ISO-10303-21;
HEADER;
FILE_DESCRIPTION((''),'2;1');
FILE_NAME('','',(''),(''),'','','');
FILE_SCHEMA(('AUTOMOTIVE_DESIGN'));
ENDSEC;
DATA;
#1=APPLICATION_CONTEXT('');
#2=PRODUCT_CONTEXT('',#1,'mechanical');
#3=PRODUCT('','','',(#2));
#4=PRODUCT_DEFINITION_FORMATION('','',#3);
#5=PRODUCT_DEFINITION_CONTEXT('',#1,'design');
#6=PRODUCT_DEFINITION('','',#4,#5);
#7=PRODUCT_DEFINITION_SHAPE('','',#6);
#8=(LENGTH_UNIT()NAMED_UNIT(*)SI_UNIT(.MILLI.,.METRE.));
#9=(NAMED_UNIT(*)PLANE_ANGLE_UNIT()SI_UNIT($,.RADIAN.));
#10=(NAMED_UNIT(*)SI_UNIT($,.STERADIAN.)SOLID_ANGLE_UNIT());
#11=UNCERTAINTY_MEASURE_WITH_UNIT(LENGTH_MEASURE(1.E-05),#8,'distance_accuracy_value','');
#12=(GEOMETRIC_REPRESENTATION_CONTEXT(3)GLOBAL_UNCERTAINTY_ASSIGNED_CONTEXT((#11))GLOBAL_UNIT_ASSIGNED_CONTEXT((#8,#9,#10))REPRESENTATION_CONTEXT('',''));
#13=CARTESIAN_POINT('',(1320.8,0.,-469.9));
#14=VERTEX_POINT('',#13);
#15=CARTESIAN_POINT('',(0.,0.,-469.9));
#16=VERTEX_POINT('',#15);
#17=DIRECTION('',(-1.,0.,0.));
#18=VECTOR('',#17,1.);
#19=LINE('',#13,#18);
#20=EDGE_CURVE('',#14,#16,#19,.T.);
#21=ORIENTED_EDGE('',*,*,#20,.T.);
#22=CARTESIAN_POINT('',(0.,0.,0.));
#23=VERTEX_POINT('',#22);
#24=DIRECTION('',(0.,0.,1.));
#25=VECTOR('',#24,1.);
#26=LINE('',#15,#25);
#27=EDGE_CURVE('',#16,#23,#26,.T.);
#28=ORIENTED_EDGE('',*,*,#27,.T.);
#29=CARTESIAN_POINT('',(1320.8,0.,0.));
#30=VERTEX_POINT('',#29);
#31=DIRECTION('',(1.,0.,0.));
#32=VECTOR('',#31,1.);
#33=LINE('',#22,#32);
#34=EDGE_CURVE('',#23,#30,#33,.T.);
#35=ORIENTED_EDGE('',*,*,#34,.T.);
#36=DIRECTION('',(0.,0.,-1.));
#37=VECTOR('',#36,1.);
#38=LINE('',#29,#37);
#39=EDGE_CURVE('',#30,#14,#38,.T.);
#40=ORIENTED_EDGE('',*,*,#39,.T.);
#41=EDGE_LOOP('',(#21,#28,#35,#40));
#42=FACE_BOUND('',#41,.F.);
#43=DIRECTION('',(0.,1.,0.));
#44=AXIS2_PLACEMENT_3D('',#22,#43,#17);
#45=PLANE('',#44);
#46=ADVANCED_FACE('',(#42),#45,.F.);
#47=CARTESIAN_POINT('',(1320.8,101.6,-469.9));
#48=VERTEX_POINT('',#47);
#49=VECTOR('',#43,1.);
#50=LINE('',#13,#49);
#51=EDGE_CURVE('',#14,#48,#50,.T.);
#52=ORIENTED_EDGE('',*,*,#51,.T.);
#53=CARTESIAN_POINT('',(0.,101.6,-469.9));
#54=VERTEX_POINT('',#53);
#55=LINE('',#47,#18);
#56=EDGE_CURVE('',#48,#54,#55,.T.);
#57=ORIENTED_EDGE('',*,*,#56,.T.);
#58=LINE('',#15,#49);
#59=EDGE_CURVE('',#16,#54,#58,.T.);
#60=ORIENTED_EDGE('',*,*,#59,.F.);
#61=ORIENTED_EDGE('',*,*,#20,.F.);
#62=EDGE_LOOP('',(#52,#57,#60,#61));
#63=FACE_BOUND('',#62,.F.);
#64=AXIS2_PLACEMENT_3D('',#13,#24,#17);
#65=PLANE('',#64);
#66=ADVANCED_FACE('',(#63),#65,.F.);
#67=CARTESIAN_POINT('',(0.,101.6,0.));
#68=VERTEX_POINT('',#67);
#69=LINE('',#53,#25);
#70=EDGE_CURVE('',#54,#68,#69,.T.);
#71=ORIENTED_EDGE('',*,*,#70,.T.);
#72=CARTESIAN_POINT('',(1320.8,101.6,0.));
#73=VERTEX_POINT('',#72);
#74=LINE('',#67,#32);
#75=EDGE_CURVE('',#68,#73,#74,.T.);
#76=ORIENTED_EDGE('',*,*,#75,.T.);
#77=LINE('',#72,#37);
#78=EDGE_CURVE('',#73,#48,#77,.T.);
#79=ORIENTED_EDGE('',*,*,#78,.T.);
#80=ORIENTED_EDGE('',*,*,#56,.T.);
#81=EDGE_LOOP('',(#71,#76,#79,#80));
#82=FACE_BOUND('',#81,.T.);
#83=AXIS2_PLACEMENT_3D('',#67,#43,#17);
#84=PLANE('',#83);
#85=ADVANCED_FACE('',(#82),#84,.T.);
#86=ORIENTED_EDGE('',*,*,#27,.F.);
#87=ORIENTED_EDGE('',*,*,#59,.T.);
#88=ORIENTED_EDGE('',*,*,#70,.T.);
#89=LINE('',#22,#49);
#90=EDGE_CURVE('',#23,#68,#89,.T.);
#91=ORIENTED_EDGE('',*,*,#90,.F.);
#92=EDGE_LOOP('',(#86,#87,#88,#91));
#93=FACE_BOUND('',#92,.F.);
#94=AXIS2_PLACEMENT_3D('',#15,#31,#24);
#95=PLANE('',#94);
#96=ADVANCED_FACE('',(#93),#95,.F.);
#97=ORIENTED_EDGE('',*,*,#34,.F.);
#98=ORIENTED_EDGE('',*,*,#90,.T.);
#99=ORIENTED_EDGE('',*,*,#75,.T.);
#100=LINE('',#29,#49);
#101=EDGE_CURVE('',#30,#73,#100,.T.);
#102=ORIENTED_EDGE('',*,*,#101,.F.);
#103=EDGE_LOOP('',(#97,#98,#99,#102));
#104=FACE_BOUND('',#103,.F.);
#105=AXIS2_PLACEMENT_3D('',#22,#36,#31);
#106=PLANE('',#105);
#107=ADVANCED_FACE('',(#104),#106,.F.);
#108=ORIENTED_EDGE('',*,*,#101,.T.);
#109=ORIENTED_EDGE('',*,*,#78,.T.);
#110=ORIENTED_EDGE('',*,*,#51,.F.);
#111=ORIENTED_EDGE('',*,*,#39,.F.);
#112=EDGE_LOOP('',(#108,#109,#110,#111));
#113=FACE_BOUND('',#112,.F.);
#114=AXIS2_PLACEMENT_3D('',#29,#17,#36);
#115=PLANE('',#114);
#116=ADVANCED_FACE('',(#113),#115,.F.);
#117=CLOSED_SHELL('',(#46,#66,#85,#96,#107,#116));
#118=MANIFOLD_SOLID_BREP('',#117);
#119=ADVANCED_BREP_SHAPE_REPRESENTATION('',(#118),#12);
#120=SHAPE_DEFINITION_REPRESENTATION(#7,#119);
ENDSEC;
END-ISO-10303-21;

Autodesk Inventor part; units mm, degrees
ref_plane "YZ Plane" through (0, 0, 0) normal (1, 0, 0) x (0, 1, 0)
ref_plane "XZ Plane" through (0, 0, 0) normal (0, 1, 0) x (-1, 0, 0)
ref_plane "XY Plane" through (0, 0, 0) normal (0, 0, 1) x (1, 0, 0)
sketch "Sketch1" plane through (0, 0, 0) normal (0, 1, 0) x (-1, 0, 0)
  line L0 (0, 0) -> (-1320.8, 0)
  line L1 (-1320.8, 0) -> (-1320.8, -469.9)
  line L2 (-1320.8, -469.9) -> (0, -469.9)
  line L3 (0, -469.9) -> (0, 0)
  dimension "d0" = 1320.8
  dimension "d1" = 469.9
extrude "Extrusion1" add sketch "Sketch1" along normal blind 101.6
properties part number "typ" material "Granite, Cut, Polished"
